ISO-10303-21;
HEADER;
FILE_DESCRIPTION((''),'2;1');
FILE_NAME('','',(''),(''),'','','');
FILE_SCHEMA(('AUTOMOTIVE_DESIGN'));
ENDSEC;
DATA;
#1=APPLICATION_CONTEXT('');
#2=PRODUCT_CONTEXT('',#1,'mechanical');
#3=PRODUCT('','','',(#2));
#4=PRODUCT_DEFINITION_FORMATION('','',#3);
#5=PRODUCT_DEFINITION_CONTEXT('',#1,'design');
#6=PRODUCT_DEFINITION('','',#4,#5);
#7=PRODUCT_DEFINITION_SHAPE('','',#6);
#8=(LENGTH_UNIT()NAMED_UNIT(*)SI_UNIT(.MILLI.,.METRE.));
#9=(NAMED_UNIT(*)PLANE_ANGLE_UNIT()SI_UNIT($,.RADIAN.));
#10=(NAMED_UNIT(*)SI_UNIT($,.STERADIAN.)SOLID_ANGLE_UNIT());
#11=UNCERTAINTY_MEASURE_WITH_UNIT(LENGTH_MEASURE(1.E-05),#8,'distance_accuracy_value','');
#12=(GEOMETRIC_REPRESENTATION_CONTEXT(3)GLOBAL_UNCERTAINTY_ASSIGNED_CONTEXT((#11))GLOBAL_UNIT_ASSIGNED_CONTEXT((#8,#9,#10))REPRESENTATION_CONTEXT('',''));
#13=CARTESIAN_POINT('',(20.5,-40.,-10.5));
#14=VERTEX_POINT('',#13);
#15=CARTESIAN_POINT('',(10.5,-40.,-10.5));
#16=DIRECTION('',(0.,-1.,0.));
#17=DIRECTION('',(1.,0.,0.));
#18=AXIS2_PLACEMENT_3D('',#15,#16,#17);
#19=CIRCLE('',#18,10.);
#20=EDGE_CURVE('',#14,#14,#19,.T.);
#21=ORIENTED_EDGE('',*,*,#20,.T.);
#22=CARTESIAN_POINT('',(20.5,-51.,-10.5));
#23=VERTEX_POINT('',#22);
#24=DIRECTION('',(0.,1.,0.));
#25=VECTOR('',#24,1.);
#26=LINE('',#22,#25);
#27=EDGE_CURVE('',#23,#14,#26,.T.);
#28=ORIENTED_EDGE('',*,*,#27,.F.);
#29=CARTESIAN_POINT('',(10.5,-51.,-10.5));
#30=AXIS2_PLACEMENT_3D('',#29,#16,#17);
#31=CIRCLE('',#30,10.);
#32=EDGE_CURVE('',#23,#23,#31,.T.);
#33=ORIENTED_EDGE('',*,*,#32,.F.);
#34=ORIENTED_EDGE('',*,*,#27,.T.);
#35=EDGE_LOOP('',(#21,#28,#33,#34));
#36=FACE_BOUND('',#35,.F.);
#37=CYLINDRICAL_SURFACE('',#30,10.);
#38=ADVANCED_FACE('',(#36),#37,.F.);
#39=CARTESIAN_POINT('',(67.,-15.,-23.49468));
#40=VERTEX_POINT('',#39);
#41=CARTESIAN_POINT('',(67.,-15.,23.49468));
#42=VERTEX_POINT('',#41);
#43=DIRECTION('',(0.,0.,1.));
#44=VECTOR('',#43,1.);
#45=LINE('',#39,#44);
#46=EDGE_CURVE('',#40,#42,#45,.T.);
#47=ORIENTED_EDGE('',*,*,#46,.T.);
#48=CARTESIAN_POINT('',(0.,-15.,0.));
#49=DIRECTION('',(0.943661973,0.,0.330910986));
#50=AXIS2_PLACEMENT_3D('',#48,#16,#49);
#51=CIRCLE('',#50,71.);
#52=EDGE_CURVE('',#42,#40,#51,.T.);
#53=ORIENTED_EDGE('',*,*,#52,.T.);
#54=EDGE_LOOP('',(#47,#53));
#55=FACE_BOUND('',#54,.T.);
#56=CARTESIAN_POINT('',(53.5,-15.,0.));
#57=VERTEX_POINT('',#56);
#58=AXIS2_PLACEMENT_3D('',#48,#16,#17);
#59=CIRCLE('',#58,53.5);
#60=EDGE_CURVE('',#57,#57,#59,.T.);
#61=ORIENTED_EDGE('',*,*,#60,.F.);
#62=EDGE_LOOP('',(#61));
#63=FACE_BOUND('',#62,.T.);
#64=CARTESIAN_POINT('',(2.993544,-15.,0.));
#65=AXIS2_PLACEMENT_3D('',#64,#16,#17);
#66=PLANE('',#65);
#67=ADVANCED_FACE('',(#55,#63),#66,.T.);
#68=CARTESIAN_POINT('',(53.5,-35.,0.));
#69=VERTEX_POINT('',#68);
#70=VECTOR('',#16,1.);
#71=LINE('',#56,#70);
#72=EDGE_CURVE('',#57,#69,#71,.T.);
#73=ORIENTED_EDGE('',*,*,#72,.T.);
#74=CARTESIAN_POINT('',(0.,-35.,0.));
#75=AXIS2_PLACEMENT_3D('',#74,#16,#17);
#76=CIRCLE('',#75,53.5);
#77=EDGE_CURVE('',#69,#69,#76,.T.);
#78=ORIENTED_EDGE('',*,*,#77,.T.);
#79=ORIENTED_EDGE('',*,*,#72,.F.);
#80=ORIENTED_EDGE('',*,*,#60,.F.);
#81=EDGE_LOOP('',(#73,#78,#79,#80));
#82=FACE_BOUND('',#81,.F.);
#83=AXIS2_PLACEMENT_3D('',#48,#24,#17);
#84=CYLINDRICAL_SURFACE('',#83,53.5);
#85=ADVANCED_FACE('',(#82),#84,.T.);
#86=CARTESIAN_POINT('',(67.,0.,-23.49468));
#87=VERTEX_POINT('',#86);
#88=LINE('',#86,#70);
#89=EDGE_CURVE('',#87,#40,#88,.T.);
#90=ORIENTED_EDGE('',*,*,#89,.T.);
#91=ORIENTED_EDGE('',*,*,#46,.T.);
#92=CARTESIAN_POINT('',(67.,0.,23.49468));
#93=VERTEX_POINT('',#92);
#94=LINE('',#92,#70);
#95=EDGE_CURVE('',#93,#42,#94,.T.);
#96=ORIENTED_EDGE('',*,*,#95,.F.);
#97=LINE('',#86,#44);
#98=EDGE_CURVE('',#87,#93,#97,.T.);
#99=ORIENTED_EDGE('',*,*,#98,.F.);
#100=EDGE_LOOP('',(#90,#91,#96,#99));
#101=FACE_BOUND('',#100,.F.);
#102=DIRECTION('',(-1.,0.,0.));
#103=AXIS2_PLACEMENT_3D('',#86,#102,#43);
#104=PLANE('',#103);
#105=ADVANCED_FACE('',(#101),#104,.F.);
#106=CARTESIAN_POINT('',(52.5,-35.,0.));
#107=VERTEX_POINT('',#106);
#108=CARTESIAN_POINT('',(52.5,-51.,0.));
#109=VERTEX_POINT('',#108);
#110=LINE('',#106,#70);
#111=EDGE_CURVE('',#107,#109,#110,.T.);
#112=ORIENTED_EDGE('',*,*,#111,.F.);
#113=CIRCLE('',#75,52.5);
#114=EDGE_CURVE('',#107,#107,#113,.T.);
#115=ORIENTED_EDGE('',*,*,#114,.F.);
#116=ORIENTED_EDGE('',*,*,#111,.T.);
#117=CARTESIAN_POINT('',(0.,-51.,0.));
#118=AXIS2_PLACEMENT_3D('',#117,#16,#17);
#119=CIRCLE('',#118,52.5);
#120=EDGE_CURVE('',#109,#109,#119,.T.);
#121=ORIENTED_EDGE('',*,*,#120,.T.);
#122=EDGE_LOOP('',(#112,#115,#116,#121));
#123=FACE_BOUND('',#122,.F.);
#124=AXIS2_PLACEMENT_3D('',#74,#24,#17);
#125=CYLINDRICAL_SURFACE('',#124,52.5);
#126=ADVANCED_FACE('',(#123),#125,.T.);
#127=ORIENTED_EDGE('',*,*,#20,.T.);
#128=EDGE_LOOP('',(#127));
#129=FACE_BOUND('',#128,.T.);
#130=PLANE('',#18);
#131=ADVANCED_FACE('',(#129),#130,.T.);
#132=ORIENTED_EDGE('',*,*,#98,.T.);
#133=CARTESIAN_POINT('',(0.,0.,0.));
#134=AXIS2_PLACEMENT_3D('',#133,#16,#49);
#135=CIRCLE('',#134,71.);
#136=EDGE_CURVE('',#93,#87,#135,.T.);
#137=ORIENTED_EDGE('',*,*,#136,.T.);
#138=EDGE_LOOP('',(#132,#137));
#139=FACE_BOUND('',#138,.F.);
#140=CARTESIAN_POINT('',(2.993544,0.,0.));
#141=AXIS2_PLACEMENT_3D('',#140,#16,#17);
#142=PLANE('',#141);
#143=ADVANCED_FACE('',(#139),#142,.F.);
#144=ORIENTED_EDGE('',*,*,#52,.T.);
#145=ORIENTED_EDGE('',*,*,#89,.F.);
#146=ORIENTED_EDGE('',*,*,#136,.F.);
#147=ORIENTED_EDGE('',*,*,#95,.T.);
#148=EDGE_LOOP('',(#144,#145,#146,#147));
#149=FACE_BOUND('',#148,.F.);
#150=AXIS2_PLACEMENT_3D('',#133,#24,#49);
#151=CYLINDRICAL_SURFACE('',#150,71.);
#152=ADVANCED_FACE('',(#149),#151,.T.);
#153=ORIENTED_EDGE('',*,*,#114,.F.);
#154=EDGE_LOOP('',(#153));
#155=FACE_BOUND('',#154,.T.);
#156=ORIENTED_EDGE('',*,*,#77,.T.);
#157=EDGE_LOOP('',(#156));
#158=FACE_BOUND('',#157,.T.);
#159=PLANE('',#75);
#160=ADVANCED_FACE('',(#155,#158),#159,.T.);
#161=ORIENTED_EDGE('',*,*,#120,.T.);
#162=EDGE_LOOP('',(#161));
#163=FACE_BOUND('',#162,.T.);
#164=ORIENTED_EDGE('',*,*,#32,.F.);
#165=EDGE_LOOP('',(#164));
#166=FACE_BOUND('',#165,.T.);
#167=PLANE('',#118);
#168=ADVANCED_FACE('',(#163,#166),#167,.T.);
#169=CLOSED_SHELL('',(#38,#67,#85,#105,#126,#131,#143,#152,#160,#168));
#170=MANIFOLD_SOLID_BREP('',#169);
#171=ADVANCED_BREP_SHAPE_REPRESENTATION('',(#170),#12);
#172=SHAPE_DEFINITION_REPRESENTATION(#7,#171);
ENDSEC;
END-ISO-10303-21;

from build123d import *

# Parameters (mm, degrees)
F1_DEPTH = 15
F2_R     = 53.5
F3_DEPTH = 20
F4_R     = 52.5
F5_DEPTH = 16
F6_R     = 10
F7_DEPTH = 11


with BuildPart() as f1:
    # F0 (on Front) → F1 (new body)
    with BuildSketch(Plane.XZ):
        with BuildLine():
            Line((67, -23.49468), (67, 23.49468))
            ThreePointArc((67, 23.49468), (-71, 0), (67, -23.49468))
        make_face()
    extrude(amount=F1_DEPTH)

    # F2 (on face) → F3 (join)
    with BuildSketch(Plane.XZ.offset(15)):
        Circle(F2_R)
    extrude(amount=F3_DEPTH)

    # F4 (on face) → F5 (join)
    with BuildSketch(Plane.XZ.offset(35)):
        Circle(F4_R)
    extrude(amount=F5_DEPTH)

    # F6 (on face) → F7 (cut)
    with BuildSketch(Plane.XZ.offset(51)):
        with Locations((10.5, -10.5)):
            Circle(F6_R)
    extrude(amount=-F7_DEPTH, mode=Mode.SUBTRACT)


solid = f1.part
